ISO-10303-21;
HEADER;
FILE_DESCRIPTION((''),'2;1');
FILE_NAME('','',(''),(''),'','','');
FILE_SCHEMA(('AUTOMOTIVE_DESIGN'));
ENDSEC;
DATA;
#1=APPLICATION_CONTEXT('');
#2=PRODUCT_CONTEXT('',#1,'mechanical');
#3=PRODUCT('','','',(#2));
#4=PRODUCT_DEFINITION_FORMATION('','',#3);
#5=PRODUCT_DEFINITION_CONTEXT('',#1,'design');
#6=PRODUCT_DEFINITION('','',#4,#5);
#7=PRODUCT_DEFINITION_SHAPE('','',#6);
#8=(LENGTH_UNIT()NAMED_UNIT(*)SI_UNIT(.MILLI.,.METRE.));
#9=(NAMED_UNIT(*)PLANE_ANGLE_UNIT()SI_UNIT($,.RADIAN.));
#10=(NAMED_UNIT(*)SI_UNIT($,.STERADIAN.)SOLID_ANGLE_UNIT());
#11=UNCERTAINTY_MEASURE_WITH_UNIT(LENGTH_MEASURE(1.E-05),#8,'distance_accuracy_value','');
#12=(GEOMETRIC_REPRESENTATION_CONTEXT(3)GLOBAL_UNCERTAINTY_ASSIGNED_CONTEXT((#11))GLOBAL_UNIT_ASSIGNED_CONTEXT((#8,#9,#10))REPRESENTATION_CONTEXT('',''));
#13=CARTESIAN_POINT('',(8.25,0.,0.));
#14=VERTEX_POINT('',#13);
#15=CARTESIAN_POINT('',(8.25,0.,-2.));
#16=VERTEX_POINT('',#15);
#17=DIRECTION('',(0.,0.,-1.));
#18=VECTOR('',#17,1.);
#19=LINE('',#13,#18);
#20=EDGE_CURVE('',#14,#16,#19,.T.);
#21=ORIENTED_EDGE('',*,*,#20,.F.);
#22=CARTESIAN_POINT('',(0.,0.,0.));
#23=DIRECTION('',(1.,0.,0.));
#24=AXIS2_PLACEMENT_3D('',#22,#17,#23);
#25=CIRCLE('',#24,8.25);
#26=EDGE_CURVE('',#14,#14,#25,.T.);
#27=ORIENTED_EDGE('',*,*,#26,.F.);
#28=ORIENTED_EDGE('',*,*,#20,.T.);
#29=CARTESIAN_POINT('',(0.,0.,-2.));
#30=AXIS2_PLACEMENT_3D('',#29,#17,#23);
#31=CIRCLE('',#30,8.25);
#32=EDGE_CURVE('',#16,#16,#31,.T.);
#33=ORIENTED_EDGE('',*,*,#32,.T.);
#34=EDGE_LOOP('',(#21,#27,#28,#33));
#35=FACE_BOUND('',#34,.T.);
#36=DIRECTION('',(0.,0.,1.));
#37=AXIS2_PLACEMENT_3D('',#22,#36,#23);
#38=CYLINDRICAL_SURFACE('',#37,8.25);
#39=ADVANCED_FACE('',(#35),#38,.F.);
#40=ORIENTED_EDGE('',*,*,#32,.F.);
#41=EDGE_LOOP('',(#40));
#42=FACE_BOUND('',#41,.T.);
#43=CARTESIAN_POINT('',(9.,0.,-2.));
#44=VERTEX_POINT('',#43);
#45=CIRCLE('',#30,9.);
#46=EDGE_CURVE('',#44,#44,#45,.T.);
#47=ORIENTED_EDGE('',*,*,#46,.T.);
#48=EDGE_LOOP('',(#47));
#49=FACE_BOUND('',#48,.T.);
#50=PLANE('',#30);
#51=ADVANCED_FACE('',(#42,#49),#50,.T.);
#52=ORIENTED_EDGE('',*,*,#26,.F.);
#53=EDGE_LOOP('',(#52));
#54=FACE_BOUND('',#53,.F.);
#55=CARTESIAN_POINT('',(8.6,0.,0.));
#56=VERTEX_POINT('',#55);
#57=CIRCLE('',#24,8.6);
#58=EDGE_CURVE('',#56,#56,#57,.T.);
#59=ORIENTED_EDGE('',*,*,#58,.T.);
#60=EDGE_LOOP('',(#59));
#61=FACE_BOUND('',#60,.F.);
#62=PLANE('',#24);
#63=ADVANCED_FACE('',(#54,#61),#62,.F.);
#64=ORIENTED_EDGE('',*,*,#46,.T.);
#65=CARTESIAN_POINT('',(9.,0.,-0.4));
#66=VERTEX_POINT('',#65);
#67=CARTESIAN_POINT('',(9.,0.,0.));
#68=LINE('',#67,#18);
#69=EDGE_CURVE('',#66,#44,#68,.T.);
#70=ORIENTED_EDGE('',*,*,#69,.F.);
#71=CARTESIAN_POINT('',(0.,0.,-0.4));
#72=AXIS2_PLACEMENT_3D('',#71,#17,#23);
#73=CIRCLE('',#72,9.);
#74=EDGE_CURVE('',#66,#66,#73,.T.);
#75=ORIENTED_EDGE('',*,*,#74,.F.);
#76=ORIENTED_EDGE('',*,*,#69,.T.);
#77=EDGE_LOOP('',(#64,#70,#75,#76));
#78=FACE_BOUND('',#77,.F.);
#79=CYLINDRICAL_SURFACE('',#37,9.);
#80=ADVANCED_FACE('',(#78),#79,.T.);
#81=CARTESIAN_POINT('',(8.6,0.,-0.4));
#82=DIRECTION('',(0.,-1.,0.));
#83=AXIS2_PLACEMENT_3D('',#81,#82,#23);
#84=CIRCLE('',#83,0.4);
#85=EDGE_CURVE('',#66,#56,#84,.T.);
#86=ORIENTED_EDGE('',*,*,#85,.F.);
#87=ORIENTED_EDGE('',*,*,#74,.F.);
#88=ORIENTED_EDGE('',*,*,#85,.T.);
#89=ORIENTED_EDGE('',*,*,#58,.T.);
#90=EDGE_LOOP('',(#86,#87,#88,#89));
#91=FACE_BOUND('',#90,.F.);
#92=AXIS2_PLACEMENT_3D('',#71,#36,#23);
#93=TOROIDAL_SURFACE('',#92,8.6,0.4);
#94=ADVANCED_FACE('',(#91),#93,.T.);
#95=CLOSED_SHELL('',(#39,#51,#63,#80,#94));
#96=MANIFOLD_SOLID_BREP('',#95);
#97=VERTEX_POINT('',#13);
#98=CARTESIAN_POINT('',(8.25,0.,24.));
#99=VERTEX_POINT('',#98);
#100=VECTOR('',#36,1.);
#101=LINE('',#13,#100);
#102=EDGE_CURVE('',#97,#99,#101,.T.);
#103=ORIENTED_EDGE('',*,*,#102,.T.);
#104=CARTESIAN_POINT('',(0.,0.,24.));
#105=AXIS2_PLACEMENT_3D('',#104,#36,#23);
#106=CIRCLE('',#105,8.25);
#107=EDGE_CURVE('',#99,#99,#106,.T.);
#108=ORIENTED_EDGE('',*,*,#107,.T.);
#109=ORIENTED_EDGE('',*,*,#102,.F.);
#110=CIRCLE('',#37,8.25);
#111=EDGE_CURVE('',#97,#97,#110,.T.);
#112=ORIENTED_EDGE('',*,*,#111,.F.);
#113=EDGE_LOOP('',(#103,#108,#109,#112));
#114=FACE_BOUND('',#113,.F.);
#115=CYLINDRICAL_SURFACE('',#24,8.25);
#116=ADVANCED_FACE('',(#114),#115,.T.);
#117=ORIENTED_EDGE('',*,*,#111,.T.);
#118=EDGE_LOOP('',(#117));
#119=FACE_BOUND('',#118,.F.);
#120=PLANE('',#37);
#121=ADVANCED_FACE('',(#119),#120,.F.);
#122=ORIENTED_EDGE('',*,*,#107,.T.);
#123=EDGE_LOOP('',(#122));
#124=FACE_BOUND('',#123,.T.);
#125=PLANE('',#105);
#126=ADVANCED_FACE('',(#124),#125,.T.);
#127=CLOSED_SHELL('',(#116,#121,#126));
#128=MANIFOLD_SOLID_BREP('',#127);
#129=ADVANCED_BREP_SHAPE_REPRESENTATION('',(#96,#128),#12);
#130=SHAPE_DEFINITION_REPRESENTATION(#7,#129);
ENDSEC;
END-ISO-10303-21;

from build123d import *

# Parameters (mm, degrees)
F0_R     = 8.25
F1_DEPTH = 24
F2_R     = 9
F2_R_2   = 8.25
F3_DEPTH = 2
F4_R     = 0.4


with BuildPart() as f1:
    # F0 (on Top) → F1 (new body)
    with BuildSketch(Plane.XY):
        Circle(F0_R)
    extrude(amount=F1_DEPTH)


with BuildPart() as f3:
    # F2 (on face) → F3 (new body)
    with BuildSketch(Plane(origin=(0, 0, 0), x_dir=(1, 0, 0), z_dir=(0, 0, -1))):
        Circle(F2_R)
        Circle(F2_R_2, mode=Mode.SUBTRACT)
    extrude(amount=F3_DEPTH)

    # F4
    f4_edges = [f3.edges().sort_by_distance(p)[0] for p in [
        (-9, 0, 0),
    ]]
    fillet(f4_edges, radius=F4_R)


solid = Compound([f1.part, f3.part])
